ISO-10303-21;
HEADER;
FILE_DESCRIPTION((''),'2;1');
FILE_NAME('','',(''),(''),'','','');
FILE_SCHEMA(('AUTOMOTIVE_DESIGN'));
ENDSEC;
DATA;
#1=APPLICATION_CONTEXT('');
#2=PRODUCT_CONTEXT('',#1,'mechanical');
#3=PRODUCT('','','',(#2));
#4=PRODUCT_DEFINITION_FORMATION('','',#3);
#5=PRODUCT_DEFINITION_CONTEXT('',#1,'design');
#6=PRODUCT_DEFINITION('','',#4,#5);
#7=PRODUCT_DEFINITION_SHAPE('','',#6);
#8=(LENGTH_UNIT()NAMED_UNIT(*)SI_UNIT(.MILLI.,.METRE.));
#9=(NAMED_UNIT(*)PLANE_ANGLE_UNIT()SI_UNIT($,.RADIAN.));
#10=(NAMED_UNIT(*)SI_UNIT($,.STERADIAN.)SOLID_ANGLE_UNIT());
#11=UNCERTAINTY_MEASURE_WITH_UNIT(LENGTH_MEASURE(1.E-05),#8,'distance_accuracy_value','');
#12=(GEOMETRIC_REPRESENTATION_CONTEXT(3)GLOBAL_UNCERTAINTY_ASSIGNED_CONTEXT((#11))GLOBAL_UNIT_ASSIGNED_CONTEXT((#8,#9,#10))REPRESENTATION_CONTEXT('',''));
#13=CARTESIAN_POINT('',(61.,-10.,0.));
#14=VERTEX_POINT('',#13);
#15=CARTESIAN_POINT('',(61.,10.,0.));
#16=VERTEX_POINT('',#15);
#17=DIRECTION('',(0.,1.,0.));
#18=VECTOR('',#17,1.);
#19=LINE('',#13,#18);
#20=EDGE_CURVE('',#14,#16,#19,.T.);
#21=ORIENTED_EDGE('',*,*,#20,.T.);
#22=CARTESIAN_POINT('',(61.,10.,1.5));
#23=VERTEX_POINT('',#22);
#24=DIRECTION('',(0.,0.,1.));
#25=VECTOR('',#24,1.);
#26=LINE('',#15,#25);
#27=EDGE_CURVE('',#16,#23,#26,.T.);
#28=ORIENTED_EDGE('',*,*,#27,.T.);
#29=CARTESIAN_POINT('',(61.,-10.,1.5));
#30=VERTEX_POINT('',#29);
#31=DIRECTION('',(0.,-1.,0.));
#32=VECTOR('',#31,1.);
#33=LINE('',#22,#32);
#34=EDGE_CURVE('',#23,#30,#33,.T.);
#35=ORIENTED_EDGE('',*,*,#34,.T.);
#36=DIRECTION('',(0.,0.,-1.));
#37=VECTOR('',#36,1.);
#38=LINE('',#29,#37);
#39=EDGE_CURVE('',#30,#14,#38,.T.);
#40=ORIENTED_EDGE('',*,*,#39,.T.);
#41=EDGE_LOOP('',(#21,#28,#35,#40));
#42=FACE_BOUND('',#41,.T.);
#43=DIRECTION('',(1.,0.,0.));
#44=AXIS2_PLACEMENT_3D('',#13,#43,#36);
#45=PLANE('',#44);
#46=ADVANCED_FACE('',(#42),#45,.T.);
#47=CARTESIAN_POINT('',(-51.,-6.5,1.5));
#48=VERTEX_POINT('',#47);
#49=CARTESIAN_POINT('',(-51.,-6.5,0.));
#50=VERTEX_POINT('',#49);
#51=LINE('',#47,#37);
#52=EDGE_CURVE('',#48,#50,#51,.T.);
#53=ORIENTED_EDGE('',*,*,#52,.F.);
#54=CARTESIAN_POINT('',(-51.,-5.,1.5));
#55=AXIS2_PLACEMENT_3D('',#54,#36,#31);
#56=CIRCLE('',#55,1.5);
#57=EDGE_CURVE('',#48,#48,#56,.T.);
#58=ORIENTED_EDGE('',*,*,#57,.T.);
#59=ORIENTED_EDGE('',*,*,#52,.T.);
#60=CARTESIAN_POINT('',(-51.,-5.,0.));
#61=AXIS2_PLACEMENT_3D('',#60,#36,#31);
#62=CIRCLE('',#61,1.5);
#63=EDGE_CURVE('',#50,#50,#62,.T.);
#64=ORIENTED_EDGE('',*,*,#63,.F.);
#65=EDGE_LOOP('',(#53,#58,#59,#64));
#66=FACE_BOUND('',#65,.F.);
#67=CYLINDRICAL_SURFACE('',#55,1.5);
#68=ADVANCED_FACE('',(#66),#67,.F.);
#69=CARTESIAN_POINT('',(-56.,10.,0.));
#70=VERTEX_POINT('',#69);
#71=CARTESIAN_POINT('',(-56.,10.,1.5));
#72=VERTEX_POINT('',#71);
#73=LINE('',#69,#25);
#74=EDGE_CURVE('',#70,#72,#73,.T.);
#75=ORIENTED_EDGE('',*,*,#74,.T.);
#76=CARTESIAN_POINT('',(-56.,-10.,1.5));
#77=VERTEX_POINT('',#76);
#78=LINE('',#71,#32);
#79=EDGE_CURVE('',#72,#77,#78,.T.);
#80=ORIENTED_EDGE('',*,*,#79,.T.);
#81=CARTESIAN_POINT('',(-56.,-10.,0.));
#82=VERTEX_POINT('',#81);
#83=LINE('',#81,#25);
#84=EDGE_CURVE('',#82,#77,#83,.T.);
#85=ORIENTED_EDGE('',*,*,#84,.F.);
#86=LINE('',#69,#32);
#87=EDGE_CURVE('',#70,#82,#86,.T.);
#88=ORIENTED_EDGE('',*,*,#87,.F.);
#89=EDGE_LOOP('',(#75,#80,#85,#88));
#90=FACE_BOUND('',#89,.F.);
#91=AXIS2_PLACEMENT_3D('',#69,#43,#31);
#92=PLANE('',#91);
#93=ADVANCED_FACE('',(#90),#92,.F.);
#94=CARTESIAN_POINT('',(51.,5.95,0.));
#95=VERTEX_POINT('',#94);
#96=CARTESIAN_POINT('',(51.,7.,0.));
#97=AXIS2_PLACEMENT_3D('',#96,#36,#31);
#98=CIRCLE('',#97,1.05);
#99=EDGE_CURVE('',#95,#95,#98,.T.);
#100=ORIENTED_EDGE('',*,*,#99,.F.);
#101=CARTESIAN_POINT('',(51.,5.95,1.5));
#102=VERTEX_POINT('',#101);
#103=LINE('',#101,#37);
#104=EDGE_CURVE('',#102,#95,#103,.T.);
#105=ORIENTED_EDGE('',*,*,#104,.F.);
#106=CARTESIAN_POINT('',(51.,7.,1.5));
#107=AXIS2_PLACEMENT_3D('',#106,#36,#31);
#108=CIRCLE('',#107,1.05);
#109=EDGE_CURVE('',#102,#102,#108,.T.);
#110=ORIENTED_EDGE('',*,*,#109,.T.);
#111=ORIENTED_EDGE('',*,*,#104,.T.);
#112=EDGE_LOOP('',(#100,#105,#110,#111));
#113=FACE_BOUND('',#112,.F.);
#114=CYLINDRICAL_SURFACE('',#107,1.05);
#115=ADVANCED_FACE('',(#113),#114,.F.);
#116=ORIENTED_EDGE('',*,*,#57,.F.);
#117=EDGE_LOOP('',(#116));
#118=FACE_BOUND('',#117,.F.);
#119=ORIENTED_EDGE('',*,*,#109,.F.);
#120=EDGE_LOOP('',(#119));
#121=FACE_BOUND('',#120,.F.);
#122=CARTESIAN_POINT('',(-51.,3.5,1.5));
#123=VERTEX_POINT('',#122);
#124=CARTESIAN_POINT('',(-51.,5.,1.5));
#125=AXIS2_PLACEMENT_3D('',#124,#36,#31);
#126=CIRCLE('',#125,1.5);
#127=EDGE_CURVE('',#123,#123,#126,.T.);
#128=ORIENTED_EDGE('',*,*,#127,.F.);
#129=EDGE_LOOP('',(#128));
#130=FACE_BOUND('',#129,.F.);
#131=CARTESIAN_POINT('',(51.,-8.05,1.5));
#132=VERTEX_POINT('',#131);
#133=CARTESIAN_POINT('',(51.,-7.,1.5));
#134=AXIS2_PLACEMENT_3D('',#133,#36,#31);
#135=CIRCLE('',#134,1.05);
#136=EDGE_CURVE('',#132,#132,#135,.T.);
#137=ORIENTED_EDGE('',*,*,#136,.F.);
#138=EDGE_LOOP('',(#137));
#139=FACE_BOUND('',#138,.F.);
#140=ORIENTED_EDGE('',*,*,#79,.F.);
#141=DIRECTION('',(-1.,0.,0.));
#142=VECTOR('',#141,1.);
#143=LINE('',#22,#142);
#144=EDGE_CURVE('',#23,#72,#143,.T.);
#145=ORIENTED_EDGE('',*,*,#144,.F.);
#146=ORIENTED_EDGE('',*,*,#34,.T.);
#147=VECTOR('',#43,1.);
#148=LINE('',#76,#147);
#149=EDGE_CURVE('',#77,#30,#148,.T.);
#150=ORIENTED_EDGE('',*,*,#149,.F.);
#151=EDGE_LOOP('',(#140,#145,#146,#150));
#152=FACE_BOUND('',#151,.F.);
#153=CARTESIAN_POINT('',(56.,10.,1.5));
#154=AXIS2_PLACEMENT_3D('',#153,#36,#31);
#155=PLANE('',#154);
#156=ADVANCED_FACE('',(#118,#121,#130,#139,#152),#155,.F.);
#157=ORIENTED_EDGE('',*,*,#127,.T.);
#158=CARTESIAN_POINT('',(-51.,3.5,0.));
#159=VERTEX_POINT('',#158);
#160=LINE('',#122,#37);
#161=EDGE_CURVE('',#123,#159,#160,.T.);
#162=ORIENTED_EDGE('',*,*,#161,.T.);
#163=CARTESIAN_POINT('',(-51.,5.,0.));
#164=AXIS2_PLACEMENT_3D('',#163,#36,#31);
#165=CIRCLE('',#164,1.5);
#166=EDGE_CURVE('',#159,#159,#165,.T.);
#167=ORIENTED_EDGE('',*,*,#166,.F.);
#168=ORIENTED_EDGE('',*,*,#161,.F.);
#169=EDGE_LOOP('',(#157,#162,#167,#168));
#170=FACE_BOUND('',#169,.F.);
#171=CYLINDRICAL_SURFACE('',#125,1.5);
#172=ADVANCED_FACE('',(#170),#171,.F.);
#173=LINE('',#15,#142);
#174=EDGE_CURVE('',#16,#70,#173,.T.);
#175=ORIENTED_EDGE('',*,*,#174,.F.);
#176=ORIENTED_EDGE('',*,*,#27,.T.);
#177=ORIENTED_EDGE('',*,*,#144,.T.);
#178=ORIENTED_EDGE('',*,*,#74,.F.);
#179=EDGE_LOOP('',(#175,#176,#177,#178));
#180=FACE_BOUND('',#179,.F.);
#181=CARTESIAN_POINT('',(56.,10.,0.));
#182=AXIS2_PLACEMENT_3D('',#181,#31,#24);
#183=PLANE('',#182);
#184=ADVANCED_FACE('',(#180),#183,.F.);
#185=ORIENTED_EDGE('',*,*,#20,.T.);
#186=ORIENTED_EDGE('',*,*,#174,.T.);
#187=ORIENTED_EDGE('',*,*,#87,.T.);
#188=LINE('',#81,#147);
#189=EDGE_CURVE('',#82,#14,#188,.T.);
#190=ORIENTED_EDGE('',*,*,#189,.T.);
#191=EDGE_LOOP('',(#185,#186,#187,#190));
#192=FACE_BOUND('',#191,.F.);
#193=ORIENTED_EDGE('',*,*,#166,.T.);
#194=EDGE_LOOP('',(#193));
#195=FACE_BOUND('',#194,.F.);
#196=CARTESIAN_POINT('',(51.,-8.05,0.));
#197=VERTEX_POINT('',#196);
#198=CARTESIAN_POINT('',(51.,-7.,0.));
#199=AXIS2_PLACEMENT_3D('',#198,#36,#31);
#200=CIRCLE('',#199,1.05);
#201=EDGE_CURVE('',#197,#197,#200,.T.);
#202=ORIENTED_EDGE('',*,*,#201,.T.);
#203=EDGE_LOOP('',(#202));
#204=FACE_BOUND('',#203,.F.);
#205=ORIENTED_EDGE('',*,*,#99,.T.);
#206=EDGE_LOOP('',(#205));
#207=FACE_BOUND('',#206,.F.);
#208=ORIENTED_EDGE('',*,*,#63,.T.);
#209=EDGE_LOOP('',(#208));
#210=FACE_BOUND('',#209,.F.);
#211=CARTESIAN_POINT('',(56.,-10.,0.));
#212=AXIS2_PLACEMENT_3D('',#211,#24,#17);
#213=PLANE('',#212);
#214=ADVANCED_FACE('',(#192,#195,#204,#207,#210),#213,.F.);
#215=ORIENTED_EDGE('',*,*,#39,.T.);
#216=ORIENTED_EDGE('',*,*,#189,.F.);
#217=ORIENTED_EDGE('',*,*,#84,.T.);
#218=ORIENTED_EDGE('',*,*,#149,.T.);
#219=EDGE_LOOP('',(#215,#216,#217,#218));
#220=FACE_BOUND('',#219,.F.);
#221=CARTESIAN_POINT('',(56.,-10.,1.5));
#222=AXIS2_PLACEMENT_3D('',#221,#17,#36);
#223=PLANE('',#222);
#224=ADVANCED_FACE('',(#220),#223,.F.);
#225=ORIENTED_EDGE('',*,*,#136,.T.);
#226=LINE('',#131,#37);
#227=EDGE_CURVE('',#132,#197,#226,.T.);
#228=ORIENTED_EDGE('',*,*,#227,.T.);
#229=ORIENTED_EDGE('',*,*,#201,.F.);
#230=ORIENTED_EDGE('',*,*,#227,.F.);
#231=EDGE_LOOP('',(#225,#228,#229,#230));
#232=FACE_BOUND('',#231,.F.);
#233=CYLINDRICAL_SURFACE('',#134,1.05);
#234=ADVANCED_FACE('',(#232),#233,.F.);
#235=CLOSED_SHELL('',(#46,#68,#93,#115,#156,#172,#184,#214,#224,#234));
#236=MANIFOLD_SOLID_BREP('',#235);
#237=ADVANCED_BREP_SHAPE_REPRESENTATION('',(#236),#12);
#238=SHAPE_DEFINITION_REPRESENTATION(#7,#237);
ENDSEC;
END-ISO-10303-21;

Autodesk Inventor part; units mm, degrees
ref_plane "YZ Plane" through (0, 0, 0) normal (1, 0, 0) x (0, 1, 0)
ref_plane "XZ Plane" through (0, 0, 0) normal (0, 1, 0) x (-1, 0, 0)
ref_plane "XY Plane" through (0, 0, 0) normal (0, 0, 1) x (1, 0, 0)
sketch "スケッチ1" plane through (0, 0, 0) normal (0, 0, 1) x (1, 0, 0)
  line L0 (56, 10) -> (-56, 10)
  line L1 (-56, 10) -> (-56, -10)
  line L2 (-56, -10) -> (56, -10)
  line L3 (56, -10) -> (56, 10)
  line L4 (56, 10) -> (-56, -10) construction
  line L5 (-56, 10) -> (56, -10) construction
  point P0 (0, 0)
  dimension "d0" = 112
  dimension "d1" = 20
extrude "押し出し1" add sketch "スケッチ1" along normal blind 1.5
sketch "スケッチ3" plane through (0, 0, 1.5) normal (0, 0, 1) x (1, 0, 0)
  line L0 (56, 10) -> (-56, 10) projected
  line L1 (-56, 10) -> (-56, -10) projected
  point P0 (0, 0)
  point P1 (-51, 5)
  point P2 (-51, -5)
  dimension "d10" = 10
  dimension "d11" = 5
  dimension "d12" = 5
hole "穴1" at (-51, 5, 1.5) at (-51, -5, 1.5) direction (0, 0, -1) diameter 3 end through all
sketch "スケッチ5" plane through (0, 0, 1.5) normal (0, 0, 1) x (1, 0, 0)
  point P0 (0, 0)
  point P1 (51, 7)
  point P2 (51, -7)
hole "穴3" at (51, 7, 1.5) at (51, -7, 1.5) direction (0, 0, -1) diameter 2.1 end through all
sketch "スケッチ6" plane through (56, -10, 0) normal (1, 0, 0) x (0, 0, -1)
  line L0 (-1.5, 0) -> (0, 0)
  line L1 (0, 0) -> (0, 20)
  line L2 (0, 20) -> (-1.5, 20)
  line L3 (-1.5, 20) -> (-1.5, 0)
  point P0 (0, 10)
  dimension "d36" = 1.5
  dimension "d37" = 20
extrude "押し出し3" add sketch "スケッチ6" along normal blind 5
properties part number "pre" material "アルミニウム 5052 H32"
